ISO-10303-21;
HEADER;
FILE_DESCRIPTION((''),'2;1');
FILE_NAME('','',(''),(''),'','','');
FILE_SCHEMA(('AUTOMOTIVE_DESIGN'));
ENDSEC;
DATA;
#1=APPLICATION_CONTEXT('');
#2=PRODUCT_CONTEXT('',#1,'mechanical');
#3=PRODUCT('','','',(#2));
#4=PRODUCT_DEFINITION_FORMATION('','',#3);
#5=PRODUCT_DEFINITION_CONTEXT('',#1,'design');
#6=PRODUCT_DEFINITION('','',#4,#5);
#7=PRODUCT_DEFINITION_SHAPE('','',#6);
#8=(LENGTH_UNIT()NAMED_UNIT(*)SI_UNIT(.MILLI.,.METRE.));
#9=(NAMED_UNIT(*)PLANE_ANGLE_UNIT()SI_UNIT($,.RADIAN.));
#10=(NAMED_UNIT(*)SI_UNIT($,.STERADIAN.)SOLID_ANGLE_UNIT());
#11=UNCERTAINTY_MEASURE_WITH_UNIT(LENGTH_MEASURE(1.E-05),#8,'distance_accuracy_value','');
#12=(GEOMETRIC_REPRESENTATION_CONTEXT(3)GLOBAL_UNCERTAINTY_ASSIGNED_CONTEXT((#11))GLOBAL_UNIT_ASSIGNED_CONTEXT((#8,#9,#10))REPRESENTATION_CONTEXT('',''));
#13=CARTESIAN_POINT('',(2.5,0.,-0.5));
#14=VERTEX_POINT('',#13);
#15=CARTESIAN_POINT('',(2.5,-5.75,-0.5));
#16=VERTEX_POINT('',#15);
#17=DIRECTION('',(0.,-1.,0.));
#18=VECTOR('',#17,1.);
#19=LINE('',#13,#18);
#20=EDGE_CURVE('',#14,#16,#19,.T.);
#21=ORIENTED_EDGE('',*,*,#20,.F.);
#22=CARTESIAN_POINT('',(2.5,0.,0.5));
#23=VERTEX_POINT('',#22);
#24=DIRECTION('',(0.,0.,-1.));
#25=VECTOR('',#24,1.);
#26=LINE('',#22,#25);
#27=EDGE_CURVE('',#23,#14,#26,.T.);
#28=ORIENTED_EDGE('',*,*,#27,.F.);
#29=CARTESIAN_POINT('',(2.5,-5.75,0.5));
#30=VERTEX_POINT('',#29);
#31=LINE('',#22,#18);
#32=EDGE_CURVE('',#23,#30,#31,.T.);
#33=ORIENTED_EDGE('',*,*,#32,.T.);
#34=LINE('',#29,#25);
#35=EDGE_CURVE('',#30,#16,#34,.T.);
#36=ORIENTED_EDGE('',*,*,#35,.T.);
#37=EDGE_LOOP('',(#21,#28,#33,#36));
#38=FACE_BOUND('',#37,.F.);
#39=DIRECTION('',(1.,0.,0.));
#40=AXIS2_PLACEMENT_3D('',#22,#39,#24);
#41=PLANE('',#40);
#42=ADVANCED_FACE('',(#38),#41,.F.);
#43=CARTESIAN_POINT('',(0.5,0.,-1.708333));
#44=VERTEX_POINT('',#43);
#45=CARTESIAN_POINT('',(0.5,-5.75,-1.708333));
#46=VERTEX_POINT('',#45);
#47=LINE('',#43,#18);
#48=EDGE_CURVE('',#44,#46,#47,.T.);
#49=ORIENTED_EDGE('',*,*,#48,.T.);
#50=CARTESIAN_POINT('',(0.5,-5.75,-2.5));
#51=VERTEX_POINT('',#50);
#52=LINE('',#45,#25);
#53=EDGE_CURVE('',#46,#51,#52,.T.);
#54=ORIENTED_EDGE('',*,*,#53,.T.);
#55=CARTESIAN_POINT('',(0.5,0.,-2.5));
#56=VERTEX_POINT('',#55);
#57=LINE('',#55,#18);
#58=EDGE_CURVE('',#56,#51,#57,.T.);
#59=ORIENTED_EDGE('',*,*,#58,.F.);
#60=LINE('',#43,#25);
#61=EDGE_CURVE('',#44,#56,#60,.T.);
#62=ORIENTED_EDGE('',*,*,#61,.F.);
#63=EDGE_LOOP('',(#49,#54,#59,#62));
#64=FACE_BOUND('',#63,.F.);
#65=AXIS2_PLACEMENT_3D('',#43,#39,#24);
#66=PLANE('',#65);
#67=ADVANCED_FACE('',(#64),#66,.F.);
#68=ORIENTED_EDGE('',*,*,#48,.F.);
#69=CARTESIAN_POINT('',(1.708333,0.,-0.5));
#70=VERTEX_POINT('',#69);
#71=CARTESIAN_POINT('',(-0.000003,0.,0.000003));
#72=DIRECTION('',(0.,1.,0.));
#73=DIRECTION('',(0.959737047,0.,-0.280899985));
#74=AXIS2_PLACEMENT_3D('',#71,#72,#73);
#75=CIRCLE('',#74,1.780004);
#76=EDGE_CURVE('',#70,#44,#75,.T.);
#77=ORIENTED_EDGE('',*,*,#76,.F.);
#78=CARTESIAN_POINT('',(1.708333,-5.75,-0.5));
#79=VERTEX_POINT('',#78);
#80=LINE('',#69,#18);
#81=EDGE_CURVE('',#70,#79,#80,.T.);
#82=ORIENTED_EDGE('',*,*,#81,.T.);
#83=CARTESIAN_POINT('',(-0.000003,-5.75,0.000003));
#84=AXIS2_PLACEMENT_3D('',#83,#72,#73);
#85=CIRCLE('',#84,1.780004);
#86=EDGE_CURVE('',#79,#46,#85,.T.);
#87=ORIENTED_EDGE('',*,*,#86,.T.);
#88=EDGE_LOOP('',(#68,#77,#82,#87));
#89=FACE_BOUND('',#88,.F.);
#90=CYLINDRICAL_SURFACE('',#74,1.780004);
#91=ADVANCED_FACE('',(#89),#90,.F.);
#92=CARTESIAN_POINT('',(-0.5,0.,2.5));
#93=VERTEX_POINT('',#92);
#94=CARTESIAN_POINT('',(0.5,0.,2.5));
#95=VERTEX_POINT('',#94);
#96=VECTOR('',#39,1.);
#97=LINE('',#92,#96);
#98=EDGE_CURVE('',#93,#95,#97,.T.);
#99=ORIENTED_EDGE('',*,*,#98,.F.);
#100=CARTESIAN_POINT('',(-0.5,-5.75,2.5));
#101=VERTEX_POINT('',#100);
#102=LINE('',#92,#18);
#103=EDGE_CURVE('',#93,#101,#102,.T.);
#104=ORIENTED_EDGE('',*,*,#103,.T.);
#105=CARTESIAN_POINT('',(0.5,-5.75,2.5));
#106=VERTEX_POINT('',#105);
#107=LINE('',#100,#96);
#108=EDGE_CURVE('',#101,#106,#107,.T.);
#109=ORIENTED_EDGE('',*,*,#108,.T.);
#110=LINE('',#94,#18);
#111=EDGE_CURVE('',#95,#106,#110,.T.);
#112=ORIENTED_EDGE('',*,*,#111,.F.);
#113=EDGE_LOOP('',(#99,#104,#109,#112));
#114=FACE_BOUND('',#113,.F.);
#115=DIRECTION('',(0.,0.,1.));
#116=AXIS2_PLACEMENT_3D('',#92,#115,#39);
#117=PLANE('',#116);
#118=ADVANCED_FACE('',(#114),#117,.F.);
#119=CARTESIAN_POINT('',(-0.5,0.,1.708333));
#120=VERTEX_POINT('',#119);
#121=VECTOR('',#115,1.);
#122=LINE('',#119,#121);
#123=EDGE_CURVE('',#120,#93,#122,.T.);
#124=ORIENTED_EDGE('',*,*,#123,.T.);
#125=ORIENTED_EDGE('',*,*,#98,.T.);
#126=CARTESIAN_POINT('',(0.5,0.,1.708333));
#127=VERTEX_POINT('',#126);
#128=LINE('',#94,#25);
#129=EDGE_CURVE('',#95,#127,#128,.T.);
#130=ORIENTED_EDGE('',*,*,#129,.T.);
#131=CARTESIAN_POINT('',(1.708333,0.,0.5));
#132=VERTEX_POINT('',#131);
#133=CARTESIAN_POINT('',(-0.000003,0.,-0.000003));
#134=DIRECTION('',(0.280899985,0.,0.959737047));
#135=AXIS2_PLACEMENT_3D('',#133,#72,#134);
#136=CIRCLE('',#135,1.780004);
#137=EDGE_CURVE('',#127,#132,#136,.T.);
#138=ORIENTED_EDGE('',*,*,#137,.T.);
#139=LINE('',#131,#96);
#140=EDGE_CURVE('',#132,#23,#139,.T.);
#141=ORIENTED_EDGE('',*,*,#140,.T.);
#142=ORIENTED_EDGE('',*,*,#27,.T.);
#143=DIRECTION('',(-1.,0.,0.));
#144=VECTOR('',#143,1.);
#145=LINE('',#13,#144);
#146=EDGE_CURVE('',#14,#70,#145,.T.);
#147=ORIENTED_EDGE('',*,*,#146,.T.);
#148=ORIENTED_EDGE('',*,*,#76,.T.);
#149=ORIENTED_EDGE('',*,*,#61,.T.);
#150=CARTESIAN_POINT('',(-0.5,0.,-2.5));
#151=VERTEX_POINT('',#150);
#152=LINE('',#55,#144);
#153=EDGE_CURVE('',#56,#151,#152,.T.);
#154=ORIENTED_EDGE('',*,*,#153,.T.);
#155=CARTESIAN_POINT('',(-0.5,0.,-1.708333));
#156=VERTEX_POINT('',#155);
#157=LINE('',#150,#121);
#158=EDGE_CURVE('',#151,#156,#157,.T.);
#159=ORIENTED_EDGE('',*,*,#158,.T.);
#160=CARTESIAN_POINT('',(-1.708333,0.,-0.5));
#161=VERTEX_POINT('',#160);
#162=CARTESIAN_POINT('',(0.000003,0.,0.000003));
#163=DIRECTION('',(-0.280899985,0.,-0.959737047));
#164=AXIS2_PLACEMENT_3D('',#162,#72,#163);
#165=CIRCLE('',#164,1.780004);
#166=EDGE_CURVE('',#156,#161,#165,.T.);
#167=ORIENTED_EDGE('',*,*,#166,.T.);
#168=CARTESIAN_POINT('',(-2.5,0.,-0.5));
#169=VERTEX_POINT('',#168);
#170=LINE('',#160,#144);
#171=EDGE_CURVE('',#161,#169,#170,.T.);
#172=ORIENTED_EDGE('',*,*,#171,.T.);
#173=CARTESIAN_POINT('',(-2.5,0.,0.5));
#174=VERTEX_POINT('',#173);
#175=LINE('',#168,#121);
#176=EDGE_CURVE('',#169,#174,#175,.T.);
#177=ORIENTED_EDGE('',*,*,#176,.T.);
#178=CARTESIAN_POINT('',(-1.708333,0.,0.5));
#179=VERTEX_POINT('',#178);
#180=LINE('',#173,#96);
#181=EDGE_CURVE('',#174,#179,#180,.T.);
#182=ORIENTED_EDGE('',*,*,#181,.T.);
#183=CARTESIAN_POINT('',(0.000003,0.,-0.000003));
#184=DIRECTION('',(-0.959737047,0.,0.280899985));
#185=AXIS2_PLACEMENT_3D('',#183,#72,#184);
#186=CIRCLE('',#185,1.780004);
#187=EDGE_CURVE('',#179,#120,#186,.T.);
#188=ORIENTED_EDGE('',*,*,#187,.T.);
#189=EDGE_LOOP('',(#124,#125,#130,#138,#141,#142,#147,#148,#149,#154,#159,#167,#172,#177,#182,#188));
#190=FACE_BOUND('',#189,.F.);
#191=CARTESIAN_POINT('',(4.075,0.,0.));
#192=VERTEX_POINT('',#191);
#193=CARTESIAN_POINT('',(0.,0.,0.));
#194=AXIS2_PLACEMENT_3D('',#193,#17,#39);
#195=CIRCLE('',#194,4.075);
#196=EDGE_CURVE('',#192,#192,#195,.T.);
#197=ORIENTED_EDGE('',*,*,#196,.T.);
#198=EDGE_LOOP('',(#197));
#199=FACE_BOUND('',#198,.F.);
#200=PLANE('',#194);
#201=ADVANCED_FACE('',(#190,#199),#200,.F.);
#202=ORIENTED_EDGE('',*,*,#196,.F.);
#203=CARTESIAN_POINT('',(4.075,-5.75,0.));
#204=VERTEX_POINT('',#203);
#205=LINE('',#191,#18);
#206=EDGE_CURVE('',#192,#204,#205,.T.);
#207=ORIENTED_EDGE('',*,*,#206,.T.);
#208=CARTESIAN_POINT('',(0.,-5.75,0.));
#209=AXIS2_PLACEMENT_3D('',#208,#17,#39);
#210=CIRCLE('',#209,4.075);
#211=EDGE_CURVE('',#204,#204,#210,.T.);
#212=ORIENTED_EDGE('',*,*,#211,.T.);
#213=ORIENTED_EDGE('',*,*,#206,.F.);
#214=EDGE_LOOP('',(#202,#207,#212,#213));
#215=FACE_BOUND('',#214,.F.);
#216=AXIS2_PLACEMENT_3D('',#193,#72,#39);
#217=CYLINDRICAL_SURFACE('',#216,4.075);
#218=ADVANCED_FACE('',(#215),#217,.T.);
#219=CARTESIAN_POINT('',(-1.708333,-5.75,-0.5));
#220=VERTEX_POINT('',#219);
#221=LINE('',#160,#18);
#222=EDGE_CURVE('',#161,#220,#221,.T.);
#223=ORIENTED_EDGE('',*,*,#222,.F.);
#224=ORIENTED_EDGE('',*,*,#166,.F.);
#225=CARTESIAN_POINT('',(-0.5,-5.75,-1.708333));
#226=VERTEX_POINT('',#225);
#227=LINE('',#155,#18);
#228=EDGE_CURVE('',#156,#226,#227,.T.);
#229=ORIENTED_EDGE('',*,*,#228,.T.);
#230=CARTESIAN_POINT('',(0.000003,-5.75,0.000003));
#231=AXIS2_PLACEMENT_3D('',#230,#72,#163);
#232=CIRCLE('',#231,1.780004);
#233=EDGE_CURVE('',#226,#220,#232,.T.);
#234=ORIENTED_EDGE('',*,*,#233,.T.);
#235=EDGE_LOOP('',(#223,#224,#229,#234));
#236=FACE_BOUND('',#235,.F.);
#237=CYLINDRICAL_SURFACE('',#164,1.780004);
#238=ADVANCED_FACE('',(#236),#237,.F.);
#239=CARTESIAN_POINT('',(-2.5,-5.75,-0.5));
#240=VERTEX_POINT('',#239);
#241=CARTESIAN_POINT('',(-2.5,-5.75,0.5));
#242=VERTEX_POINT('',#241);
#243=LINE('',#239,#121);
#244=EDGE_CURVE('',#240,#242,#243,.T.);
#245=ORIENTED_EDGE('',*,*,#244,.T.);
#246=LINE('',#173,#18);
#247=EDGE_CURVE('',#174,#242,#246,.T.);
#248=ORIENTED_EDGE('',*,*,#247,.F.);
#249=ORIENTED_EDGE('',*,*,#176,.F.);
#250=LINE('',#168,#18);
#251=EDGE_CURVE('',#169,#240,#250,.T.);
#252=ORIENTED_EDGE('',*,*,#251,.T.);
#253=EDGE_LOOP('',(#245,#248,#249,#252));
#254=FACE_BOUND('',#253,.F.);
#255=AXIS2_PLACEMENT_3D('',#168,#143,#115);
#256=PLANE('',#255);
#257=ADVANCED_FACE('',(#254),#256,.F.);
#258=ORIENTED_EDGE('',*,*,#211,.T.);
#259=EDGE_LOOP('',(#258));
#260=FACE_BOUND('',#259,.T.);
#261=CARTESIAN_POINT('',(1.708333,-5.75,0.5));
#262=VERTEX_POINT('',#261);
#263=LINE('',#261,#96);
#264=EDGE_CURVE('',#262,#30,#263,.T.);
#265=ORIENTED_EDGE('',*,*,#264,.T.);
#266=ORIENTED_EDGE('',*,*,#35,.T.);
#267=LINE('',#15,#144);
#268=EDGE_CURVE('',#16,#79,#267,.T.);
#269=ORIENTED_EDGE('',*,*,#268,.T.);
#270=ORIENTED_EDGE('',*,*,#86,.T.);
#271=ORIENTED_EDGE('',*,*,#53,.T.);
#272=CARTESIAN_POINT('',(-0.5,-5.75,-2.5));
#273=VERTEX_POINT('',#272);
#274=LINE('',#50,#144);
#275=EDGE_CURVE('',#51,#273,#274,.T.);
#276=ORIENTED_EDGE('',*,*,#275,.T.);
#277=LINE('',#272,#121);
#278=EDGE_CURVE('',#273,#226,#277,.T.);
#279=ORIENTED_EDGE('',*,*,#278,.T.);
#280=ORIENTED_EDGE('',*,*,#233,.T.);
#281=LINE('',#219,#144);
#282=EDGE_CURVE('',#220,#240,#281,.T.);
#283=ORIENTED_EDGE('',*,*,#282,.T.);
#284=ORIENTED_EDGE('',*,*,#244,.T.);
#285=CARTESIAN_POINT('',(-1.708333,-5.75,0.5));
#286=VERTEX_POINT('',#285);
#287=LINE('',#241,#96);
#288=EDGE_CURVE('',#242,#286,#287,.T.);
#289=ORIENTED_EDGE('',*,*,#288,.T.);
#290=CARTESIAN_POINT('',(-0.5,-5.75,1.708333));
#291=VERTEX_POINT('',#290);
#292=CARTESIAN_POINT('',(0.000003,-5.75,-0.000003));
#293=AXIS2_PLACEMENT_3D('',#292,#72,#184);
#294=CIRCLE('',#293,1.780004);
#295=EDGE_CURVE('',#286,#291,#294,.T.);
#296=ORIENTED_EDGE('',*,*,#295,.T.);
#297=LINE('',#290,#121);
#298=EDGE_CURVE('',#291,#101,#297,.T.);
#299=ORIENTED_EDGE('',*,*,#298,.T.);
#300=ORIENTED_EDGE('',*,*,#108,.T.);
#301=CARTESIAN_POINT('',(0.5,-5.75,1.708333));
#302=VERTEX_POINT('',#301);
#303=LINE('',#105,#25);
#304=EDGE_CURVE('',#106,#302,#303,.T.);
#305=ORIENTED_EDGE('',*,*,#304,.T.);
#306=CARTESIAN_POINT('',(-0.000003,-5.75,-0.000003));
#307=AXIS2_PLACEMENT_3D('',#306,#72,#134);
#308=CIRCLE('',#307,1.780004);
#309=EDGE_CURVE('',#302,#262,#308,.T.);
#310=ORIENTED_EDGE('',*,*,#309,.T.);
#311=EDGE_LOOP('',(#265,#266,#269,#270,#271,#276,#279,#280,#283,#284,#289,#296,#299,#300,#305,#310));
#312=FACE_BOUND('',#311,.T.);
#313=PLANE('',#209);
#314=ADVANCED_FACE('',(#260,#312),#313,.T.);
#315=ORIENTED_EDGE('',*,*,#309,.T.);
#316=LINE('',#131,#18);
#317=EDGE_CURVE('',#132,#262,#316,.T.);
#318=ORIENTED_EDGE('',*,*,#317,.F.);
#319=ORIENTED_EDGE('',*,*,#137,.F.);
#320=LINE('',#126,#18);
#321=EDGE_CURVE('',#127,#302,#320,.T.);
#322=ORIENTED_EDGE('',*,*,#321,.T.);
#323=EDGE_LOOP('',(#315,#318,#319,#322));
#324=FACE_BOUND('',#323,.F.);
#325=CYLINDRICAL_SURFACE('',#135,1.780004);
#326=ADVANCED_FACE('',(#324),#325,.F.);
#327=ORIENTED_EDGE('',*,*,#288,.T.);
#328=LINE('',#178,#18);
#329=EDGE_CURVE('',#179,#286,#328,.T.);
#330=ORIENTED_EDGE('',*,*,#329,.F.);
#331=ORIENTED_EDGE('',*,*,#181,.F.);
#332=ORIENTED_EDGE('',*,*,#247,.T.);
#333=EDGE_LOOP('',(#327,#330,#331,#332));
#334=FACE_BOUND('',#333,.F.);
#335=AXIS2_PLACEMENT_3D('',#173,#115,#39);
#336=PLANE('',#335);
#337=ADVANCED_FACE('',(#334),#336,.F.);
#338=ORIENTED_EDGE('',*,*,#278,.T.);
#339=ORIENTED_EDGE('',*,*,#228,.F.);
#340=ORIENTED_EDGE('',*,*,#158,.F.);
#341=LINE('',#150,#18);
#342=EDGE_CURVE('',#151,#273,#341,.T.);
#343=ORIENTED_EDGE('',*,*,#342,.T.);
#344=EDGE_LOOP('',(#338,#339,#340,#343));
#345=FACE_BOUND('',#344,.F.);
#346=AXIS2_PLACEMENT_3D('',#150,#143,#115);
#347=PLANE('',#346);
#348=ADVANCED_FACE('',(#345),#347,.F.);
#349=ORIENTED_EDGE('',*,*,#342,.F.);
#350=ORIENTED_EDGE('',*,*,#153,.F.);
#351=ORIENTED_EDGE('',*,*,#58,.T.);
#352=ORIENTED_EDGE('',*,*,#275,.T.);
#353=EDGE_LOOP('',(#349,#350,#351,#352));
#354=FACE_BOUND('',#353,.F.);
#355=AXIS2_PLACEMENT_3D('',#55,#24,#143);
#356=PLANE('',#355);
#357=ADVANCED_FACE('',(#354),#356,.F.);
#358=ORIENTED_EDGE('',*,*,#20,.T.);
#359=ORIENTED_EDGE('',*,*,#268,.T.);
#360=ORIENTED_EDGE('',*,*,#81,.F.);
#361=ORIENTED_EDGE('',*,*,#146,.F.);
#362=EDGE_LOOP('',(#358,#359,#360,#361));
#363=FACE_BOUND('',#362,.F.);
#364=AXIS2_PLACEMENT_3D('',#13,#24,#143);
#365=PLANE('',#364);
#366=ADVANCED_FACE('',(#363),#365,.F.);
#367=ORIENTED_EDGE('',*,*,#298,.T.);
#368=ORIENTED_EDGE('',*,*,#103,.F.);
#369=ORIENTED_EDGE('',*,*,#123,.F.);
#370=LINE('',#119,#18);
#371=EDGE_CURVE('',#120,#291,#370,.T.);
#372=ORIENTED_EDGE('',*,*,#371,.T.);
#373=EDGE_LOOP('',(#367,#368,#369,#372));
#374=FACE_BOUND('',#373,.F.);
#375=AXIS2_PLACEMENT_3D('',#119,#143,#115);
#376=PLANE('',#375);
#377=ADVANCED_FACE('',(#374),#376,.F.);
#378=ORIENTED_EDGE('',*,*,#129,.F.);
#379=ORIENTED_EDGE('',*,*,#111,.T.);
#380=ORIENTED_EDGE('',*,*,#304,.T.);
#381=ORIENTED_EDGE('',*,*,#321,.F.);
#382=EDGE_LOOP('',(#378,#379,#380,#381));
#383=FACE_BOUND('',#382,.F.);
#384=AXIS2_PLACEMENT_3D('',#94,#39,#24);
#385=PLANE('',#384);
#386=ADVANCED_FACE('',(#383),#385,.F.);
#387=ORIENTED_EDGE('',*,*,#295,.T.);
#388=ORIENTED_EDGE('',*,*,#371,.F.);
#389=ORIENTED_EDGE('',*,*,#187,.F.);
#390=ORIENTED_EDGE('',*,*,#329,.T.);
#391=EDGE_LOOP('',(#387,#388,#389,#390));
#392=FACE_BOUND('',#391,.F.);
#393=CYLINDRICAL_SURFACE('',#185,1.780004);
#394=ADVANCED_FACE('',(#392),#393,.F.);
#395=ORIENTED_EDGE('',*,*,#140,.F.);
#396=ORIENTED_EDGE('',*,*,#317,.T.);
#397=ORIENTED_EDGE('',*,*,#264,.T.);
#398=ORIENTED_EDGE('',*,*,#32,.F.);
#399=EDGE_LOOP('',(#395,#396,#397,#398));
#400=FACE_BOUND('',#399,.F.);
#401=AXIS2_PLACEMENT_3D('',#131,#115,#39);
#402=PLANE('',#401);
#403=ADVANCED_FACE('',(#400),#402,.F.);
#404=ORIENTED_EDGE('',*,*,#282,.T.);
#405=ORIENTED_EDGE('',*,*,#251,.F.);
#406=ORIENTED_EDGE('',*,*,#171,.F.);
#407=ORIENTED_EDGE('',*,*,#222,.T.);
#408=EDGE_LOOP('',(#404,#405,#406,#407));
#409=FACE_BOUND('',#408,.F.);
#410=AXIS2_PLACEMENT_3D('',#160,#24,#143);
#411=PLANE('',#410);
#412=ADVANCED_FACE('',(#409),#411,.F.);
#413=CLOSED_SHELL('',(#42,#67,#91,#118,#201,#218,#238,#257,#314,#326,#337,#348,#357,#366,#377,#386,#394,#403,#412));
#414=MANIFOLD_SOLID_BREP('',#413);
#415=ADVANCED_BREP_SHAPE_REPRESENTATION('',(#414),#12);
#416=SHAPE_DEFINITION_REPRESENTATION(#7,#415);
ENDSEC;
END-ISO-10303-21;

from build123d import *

# Parameters (mm, degrees)
F0_R     = 4.075
F1_DEPTH = 5.75


with BuildPart() as f1:
    # F0 (on Front) → F1 (new body)
    with BuildSketch(Plane.XZ):
        Circle(F0_R)
        with BuildLine():
            Line((-0.5, 2.5), (0.5, 2.5))
            Line((0.5, 2.5), (0.5, 1.708333))
            ThreePointArc((0.5, 1.708333), (1.25865, 1.25865), (1.708333, 0.5))
            Line((1.708333, 0.5), (2.5, 0.5))
            Line((2.5, 0.5), (2.5, -0.5))
            Line((2.5, -0.5), (1.708333, -0.5))
            ThreePointArc((1.708333, -0.5), (1.25865, -1.25865), (0.5, -1.708333))
            Line((0.5, -1.708333), (0.5, -2.5))
            Line((0.5, -2.5), (-0.5, -2.5))
            Line((-0.5, -2.5), (-0.5, -1.708333))
            ThreePointArc((-0.5, -1.708333), (-1.25865, -1.25865), (-1.708333, -0.5))
            Line((-1.708333, -0.5), (-2.5, -0.5))
            Line((-2.5, -0.5), (-2.5, 0.5))
            Line((-2.5, 0.5), (-1.708333, 0.5))
            ThreePointArc((-1.708333, 0.5), (-1.25865, 1.25865), (-0.5, 1.708333))
            Line((-0.5, 1.708333), (-0.5, 2.5))
        make_face(mode=Mode.SUBTRACT)
    extrude(amount=F1_DEPTH)


solid = f1.part
